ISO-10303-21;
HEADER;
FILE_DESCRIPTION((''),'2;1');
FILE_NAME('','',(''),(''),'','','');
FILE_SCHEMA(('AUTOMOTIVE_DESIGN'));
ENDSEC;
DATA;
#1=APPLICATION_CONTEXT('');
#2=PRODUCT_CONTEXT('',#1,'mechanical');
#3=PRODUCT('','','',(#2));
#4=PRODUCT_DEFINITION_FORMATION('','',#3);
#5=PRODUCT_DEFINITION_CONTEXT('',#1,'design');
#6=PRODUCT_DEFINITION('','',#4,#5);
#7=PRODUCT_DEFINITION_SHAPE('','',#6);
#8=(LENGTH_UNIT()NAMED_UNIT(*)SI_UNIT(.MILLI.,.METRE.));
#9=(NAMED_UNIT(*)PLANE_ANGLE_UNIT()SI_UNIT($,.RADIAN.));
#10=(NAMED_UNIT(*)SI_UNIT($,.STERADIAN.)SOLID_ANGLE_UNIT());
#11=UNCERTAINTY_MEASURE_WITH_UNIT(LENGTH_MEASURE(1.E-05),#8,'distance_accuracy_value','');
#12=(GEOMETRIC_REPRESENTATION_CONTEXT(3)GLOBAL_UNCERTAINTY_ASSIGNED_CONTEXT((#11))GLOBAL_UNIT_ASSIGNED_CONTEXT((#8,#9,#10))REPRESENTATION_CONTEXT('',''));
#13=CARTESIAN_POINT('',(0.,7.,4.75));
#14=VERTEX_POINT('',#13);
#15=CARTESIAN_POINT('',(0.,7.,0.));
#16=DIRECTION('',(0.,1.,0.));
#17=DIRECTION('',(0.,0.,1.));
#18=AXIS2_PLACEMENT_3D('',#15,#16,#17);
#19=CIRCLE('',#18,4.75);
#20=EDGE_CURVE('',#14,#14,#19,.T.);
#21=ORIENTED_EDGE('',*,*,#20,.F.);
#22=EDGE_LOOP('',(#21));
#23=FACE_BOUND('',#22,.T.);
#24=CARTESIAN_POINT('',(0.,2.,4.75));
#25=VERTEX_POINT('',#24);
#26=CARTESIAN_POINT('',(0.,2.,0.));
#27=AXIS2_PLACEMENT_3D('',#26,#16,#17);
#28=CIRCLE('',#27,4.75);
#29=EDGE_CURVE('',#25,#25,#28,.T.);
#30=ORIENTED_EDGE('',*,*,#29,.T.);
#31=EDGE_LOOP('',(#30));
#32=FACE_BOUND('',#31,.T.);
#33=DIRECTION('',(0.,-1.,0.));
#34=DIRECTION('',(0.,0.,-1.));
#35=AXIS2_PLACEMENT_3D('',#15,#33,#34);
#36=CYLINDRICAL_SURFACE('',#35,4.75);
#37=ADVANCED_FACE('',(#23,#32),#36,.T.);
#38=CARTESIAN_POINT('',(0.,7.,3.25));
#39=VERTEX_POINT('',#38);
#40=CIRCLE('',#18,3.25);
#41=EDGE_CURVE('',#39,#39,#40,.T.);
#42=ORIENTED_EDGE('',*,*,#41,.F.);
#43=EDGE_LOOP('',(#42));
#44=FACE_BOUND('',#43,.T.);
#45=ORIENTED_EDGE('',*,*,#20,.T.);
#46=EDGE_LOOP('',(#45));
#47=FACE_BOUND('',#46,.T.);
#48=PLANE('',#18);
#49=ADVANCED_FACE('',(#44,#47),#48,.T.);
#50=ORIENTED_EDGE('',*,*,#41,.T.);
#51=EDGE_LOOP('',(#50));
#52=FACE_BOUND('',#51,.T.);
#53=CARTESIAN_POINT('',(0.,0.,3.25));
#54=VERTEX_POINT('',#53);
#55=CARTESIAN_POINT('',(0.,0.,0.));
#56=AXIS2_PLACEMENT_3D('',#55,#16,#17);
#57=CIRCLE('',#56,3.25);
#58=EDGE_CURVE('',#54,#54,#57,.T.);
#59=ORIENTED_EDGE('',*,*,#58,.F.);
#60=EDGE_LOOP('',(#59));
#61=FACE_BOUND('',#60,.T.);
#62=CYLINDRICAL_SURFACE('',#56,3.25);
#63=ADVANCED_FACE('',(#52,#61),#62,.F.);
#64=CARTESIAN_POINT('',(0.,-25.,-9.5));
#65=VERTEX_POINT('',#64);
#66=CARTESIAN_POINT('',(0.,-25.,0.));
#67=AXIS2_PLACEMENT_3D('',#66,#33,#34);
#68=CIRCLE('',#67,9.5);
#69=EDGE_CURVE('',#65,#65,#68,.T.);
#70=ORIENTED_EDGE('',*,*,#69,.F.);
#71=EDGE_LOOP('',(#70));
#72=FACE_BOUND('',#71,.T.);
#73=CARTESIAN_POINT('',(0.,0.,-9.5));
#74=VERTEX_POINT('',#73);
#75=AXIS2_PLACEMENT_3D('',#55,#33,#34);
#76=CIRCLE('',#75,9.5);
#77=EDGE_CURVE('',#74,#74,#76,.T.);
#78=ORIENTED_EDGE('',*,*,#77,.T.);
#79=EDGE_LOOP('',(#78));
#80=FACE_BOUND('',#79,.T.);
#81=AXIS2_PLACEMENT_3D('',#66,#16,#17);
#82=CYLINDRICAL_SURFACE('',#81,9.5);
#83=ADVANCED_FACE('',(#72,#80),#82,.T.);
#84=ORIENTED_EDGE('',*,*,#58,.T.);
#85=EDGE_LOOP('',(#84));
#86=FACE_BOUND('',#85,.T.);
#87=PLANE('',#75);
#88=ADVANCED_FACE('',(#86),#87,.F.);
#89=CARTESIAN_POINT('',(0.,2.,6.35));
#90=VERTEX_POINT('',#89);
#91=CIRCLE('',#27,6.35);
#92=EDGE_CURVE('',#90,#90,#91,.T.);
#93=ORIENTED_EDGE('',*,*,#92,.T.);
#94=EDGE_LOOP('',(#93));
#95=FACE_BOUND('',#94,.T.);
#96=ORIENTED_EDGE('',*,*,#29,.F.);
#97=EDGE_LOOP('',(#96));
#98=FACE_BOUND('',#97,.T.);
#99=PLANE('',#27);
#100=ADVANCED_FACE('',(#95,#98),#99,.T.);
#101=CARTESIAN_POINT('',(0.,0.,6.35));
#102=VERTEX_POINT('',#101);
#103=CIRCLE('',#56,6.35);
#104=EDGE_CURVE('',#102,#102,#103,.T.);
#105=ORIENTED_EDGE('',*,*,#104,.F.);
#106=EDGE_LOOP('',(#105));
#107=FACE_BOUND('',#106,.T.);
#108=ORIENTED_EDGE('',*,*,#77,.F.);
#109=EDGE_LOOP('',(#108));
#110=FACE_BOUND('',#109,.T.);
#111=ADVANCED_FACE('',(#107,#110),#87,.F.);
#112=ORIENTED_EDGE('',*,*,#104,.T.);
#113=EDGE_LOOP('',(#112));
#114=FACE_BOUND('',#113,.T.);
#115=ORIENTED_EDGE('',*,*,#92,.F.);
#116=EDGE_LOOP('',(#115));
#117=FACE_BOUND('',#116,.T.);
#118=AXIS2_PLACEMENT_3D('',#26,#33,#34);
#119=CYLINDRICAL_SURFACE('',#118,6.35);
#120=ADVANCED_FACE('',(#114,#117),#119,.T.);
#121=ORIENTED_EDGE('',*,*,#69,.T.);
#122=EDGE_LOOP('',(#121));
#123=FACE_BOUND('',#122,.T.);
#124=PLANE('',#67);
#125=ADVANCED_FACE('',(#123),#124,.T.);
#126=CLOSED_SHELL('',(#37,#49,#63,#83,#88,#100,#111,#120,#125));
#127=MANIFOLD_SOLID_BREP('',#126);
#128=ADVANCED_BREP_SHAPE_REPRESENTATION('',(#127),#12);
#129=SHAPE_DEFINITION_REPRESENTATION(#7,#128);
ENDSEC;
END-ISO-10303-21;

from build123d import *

# Parameters (mm, degrees)
SKETCH_1_R          = 6.35
EXTRUDE_1_DEPTH     = 2
SKETCH_2_R          = 4.75
EXTRUDE_2_DEPTH     = 5
SKETCH_3_R          = 3.25
CUT_EXTRUDE_1_DEPTH = 12.386175829
SKETCH_4_R          = 9.5
EXTRUDE_3_DEPTH     = 25


with BuildPart() as part:
    # 草图1 → 凸台-拉伸1 (new body)
    with BuildSketch(Plane(origin=(0, 0, 0), x_dir=(1, 0, 0), z_dir=(0, 1, 0))):
        with Locations(Location((0, 0, 0), (0, 0, 270))):
            Circle(SKETCH_1_R)
    extrude(amount=EXTRUDE_1_DEPTH)

    # 草图2 → 凸台-拉伸2 (add)
    with BuildSketch(Plane(origin=(0, 2, 0), x_dir=(1, 0, 0), z_dir=(0, 1, 0))):
        with Locations(Location((0, 0, 0), (0, 0, 270))):
            Circle(SKETCH_2_R)
    extrude(amount=EXTRUDE_2_DEPTH)

    # 草图3 → 切除-拉伸1 (cut, through all)
    with BuildSketch(Plane(origin=(0, 7, 0), x_dir=(1, 0, 0), z_dir=(0, 1, 0))):
        with Locations(Location((0, 0, 0), (0, 0, 270))):
            Circle(SKETCH_3_R)
    extrude(amount=-CUT_EXTRUDE_1_DEPTH, mode=Mode.SUBTRACT)

    # 草图4 → 凸台-拉伸3 (add)
    with BuildSketch(Plane.XZ):
        with Locations(Location((0, 0, 0), (0, 0, 270))):
            Circle(SKETCH_4_R)
    extrude(amount=EXTRUDE_3_DEPTH)


solid = part.part
